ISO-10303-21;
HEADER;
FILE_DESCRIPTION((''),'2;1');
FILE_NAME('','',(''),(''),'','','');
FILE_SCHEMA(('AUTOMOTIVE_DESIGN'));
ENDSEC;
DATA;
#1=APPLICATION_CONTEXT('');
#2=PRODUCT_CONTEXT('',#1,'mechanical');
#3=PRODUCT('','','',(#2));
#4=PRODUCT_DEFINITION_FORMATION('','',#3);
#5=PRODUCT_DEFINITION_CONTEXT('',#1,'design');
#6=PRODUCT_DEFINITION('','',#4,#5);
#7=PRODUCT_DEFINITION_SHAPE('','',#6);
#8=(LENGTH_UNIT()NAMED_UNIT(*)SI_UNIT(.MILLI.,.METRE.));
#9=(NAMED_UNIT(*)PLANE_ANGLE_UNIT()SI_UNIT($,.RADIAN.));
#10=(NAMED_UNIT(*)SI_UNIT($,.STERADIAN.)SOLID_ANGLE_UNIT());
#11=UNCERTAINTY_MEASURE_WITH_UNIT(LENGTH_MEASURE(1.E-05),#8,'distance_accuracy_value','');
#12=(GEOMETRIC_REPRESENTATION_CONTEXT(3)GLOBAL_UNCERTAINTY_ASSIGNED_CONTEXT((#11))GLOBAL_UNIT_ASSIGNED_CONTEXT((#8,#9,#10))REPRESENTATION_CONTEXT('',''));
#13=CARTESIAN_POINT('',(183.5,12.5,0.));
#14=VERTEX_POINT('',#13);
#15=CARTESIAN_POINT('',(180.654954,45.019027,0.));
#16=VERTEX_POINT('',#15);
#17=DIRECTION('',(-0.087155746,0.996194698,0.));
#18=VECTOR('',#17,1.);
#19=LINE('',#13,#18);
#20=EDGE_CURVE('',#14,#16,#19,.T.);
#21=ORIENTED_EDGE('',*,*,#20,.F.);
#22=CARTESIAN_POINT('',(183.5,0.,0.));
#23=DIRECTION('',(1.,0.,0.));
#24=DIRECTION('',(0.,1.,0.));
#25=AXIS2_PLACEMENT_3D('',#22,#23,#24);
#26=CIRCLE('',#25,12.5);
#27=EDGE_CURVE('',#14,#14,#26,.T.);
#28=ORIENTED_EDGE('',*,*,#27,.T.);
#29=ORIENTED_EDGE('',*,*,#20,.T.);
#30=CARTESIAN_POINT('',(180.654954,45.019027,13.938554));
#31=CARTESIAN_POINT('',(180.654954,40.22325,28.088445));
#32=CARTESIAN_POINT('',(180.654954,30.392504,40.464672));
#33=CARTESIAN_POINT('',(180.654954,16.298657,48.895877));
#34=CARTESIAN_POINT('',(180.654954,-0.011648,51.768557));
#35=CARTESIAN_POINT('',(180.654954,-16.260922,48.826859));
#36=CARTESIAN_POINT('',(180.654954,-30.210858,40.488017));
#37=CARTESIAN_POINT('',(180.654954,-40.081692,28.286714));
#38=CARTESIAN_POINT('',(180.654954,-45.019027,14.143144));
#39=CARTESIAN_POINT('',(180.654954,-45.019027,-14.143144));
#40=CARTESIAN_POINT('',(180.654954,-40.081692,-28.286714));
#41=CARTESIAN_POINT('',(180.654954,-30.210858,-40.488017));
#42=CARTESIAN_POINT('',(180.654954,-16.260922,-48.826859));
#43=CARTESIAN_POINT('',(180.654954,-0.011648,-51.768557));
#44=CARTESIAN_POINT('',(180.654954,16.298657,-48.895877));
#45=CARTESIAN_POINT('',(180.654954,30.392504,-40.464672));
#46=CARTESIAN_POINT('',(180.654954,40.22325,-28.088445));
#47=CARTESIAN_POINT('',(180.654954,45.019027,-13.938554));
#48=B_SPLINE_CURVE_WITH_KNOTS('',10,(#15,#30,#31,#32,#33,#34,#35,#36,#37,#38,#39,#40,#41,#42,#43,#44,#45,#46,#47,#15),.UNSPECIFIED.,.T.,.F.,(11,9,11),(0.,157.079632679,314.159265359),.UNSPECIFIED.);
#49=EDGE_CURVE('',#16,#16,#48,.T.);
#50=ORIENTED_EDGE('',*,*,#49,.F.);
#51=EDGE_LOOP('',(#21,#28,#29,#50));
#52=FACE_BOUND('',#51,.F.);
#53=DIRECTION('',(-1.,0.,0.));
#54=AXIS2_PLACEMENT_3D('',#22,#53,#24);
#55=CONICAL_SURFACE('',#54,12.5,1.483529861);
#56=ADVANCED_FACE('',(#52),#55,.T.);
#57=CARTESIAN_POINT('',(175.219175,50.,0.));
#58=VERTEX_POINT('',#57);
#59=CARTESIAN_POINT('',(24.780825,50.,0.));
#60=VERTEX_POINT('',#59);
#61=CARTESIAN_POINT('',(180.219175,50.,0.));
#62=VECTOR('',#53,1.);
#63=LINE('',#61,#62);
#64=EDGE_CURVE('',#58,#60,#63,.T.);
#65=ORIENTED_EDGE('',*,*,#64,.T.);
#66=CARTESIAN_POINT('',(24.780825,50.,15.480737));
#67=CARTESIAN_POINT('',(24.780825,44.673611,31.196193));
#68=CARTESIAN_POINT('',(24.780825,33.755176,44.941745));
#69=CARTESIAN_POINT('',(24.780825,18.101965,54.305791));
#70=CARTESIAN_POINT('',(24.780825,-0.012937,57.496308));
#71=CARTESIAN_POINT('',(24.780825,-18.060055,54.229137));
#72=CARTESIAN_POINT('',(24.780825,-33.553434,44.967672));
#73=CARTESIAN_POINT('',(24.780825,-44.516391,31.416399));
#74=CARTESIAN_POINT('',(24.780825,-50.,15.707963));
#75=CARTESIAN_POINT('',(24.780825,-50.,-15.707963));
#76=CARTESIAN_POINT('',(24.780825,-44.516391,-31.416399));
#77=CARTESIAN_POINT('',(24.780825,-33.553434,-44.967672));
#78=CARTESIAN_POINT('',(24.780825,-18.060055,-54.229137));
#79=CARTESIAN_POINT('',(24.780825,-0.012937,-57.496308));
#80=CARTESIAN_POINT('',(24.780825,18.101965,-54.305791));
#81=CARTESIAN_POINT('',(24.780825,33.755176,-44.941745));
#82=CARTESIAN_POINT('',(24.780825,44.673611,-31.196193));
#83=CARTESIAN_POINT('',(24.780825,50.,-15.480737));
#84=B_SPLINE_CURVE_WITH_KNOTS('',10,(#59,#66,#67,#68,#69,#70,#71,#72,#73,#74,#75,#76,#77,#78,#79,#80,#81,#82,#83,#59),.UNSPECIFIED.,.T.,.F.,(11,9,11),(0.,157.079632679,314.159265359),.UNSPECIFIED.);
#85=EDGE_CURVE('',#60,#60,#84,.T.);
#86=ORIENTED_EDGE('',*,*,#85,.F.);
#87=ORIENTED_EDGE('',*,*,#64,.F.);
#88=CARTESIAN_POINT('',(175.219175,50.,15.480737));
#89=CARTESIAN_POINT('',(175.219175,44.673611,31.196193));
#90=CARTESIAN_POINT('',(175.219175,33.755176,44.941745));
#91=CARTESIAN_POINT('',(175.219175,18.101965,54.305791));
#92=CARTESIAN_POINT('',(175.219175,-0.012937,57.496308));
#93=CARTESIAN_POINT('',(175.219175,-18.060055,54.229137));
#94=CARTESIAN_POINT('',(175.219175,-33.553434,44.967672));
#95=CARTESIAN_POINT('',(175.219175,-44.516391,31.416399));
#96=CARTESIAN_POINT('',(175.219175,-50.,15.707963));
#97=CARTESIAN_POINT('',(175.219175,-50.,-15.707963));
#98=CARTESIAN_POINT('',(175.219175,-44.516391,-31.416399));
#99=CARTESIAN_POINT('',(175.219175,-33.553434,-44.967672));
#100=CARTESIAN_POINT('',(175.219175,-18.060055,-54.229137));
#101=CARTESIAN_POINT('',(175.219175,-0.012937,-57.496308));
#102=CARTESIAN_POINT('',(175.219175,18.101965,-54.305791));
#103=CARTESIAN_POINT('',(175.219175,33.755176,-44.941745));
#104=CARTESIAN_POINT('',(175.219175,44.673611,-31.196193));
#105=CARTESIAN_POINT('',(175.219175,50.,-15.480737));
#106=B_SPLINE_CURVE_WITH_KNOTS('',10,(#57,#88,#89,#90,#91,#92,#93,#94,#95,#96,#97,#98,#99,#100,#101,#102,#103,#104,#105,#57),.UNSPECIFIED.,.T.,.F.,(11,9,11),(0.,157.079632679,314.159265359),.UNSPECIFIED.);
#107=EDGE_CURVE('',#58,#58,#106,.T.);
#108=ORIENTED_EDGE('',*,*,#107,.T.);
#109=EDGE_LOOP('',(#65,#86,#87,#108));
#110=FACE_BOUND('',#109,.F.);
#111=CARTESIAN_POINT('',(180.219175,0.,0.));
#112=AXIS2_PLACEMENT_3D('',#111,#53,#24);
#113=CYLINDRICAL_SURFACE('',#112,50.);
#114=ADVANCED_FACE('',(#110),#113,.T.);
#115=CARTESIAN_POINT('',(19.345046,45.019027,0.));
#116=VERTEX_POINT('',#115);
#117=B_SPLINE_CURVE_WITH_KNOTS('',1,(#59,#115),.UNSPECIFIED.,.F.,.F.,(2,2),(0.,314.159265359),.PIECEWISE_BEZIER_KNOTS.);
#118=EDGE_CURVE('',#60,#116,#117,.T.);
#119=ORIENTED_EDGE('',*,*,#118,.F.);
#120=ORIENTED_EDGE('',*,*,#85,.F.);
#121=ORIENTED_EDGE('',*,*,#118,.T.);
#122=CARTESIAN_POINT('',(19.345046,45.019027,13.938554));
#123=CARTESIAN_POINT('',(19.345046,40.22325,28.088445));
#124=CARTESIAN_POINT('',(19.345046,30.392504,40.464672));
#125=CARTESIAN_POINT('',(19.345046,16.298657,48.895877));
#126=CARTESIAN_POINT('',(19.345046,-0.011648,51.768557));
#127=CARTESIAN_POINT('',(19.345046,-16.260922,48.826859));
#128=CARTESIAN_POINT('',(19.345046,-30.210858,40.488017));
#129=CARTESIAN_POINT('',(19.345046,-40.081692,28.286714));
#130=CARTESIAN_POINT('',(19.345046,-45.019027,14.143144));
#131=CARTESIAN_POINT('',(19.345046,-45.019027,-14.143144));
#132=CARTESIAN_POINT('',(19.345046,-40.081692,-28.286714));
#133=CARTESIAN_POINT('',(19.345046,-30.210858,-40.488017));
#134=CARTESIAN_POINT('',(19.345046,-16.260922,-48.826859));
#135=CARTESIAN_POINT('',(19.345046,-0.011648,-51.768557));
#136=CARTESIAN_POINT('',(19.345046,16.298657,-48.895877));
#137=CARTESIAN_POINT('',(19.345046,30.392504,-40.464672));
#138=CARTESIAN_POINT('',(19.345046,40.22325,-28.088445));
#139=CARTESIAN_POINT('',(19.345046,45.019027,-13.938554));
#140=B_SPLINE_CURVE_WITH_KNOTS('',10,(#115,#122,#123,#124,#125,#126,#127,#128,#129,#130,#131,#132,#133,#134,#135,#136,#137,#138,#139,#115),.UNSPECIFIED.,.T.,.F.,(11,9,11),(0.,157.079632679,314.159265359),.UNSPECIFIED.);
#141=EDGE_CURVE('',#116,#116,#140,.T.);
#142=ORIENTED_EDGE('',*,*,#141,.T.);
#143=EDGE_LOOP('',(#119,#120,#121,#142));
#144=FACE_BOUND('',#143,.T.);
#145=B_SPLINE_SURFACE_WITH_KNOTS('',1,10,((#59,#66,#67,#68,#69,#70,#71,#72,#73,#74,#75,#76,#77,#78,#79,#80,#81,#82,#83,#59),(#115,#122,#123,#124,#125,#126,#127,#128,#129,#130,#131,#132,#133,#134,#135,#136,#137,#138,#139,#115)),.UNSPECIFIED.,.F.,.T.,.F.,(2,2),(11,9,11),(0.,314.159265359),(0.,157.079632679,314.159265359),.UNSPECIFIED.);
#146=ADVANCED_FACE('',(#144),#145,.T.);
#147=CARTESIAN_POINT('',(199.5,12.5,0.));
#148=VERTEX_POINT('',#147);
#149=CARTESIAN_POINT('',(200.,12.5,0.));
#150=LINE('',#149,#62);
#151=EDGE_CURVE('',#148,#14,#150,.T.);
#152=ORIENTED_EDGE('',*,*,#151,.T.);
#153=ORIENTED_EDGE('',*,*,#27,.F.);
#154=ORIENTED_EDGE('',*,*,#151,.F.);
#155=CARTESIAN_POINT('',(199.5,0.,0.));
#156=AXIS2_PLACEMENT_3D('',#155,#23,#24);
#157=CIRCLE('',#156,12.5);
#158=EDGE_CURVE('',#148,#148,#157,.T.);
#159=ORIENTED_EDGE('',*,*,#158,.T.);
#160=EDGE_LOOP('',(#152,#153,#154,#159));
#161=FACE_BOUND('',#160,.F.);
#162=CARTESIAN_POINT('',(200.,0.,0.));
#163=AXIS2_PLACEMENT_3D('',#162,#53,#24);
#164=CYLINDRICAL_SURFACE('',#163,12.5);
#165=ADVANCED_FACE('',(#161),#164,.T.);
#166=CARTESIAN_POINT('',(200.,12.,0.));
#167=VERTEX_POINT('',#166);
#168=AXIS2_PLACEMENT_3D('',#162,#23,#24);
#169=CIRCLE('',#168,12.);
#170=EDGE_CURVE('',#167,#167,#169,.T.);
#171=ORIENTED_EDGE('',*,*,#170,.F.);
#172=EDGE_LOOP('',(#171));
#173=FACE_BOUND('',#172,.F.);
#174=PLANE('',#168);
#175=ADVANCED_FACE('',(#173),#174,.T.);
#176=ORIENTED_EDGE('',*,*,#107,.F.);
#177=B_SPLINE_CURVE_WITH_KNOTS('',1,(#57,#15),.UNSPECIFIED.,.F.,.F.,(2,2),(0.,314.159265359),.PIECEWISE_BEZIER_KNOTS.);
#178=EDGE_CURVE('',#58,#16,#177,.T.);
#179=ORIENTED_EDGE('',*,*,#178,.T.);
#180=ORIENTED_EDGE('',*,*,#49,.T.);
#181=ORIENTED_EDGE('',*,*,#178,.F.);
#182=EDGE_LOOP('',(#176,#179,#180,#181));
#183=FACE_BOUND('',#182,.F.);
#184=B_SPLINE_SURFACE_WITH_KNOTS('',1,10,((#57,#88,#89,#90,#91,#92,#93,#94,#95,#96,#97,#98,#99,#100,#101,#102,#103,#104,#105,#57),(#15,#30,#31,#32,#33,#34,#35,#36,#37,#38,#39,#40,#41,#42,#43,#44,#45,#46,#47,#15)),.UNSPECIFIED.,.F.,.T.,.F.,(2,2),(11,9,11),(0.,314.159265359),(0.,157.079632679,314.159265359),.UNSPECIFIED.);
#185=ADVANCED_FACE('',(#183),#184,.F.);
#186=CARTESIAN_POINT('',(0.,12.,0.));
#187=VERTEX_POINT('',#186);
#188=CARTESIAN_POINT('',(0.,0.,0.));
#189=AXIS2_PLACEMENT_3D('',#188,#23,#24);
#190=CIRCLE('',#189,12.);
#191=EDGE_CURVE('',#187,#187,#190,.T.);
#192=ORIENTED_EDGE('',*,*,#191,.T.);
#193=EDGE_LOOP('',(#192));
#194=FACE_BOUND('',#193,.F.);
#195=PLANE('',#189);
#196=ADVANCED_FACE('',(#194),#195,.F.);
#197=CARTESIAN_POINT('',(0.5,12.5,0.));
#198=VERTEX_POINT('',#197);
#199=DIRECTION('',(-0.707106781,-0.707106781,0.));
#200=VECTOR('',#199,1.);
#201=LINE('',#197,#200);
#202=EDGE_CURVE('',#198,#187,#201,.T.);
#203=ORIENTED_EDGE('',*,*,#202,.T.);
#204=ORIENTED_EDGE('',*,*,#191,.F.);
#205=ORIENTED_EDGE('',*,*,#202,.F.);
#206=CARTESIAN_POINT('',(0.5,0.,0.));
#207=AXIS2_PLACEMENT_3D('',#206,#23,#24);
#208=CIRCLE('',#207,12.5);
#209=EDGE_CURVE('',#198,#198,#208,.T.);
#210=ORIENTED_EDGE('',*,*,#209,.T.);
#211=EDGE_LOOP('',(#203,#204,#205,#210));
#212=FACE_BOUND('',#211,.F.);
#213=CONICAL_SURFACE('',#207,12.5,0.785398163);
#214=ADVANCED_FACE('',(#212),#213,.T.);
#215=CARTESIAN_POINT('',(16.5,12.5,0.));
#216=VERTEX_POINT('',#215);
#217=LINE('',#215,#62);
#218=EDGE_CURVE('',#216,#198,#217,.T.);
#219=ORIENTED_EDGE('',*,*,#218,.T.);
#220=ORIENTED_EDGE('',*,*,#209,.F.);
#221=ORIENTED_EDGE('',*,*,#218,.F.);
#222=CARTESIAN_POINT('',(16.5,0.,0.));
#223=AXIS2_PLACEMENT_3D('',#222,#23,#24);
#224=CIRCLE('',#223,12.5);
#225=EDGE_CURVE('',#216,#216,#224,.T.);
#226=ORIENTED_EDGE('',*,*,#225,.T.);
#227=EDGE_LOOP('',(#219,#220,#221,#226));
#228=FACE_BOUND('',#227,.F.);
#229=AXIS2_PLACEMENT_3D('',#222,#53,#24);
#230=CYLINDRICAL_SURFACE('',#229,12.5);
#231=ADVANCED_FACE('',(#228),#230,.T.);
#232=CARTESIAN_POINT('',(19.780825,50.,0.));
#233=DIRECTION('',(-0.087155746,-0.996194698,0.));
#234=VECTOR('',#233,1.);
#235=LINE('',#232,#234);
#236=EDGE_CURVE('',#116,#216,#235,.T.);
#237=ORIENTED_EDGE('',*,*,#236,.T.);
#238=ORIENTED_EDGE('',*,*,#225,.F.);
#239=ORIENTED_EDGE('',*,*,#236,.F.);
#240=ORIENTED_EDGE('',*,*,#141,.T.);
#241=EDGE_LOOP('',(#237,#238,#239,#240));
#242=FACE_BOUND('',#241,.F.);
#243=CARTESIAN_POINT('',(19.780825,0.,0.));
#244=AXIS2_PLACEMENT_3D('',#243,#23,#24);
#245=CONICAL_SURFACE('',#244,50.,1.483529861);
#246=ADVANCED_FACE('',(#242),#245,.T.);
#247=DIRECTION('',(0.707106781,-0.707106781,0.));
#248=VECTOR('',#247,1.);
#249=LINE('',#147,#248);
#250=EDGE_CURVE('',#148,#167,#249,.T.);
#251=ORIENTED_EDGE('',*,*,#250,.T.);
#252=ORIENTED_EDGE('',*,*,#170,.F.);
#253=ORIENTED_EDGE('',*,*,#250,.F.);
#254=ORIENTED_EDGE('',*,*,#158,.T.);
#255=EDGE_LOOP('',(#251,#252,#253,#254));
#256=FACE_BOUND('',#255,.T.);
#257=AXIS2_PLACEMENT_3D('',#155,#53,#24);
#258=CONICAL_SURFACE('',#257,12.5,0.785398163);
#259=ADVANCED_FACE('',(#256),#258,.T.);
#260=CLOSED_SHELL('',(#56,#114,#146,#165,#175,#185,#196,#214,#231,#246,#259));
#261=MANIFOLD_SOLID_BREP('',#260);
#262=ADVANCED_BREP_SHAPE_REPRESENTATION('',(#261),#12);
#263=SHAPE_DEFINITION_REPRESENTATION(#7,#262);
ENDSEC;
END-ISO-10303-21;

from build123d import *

# Parameters (mm, degrees)
F2_SIZE  = 5
F3_SIZE  = 5
F4_SIZE2 = 0.5
F4_SIZE  = 0.5


with BuildPart() as f1:
    # F0 (on Top) → F1 (revolve)
    with BuildSketch(Plane.XY):
        Polygon((0, 12.5), (0, 0), (200, 0), (200, 12.5), (183.5, 12.5), (180.219175, 50), (19.780825, 50), (16.5, 12.5), align=None)
    revolve(axis=Axis((100, 0, 0), (1, 0, 0)))

    # F2
    f2_edges = [f1.edges().sort_by_distance(p)[0] for p in [
        (19.780825, -50, 0),
    ]]
    chamfer(f2_edges, length=F2_SIZE)

    # F3
    f3_edges = [f1.edges().sort_by_distance(p)[0] for p in [
        (180.219175, -50, 0),
    ]]
    chamfer(f3_edges, length=F3_SIZE)

    # F4
    f4_edges = [f1.edges().sort_by_distance(p)[0] for p in [
        (0, -12.5, 0),
        (200, -12.5, 0),
    ]]
    chamfer(f4_edges, length=F4_SIZE, length2=F4_SIZE2)


solid = f1.part
